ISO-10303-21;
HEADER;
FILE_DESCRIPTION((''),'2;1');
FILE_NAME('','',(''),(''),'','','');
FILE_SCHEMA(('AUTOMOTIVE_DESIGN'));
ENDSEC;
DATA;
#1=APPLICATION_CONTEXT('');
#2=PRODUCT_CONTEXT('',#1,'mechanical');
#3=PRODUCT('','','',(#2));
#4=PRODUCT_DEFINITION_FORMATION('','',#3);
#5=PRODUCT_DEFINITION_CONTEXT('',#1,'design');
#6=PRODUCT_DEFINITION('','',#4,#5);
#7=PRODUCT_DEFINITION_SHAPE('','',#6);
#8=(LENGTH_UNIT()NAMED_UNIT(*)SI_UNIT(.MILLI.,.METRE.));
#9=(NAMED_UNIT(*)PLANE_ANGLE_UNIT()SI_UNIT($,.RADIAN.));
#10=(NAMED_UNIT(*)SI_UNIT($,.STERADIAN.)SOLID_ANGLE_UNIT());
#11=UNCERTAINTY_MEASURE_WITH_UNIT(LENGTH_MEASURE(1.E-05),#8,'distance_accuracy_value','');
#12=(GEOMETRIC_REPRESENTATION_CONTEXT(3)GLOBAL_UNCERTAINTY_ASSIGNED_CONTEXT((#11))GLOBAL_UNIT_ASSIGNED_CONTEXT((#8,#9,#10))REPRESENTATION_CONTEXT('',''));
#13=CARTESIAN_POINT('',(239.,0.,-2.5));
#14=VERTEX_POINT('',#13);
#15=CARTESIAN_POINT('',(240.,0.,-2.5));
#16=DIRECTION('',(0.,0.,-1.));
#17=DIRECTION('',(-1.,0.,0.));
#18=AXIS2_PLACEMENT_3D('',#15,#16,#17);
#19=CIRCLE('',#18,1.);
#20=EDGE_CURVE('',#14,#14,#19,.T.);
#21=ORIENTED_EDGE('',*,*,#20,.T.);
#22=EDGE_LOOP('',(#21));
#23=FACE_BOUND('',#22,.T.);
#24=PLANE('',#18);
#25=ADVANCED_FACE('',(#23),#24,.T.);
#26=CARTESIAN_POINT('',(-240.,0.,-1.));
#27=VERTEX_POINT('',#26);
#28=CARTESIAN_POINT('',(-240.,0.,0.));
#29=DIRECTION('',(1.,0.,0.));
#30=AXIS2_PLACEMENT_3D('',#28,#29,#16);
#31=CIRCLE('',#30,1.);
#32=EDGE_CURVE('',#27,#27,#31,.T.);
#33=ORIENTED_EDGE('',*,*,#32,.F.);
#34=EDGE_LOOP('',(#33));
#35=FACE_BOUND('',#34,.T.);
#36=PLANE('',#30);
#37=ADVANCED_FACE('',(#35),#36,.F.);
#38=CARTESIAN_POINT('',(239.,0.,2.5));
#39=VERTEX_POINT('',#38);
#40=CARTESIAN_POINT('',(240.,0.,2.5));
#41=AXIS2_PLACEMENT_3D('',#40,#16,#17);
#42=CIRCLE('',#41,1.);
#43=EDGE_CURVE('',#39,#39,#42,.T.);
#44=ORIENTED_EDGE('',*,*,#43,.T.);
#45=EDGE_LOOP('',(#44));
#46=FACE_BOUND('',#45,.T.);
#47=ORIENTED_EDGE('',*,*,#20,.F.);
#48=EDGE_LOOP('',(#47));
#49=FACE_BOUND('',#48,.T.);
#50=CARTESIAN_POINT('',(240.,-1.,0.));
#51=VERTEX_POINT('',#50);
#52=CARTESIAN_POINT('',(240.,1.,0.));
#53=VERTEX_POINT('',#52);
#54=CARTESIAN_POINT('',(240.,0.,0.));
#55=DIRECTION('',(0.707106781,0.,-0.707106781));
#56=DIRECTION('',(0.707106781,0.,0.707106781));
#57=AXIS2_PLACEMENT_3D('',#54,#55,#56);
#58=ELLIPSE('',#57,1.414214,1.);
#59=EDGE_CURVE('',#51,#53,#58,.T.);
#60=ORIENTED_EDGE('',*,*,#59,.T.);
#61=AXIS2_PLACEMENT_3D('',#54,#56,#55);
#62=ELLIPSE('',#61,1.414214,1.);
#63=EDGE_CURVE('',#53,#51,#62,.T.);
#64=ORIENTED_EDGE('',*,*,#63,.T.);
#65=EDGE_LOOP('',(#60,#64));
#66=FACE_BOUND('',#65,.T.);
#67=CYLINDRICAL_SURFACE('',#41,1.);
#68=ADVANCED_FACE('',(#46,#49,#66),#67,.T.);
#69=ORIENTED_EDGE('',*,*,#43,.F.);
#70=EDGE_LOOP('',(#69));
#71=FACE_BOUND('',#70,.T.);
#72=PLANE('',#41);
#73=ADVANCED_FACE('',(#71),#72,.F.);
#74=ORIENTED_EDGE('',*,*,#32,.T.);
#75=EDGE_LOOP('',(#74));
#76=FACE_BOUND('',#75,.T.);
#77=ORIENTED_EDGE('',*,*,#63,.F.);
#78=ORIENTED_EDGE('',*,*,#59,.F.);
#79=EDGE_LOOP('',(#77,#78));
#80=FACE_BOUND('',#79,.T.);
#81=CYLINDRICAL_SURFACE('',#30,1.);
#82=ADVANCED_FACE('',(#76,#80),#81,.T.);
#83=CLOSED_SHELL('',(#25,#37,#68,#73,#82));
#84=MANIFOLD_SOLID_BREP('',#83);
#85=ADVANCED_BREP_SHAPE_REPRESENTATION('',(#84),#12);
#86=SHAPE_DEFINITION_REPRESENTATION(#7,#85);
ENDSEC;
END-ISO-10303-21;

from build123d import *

# Parameters (mm, degrees)
BALAYAGE1_PROFILE_R = 1
BALAYAGE2_PROFILE_R = 1


with BuildPart() as part:
    # Balayage1: sweep along a path in Esquisse1
    with BuildLine(Plane.XY) as balayage1_path:
        Line((-240, 0), (240, 0))
    # Balayage1 profile (on start of the path) → Balayage1 (sweep)
    with BuildSketch(Plane(origin=(-240, 0, 0), x_dir=(0, 0, 1), z_dir=(1, 0, 0))):
        Circle(BALAYAGE1_PROFILE_R)
    sweep(path=balayage1_path.line)

    # Balayage2: sweep along a path in Esquisse16
    with BuildLine(Plane(origin=(240, 0, 0), x_dir=(0, 0, -1), z_dir=(1, 0, 0))) as balayage2_path:
        Line((-2.5, 0), (2.5, 0))
    # Balayage2 profile (on start of the path) → Balayage2 (sweep)
    with BuildSketch(Plane(origin=(240, 0, 2.5), x_dir=(-1, 0, 0), z_dir=(0, 0, -1))):
        Circle(BALAYAGE2_PROFILE_R)
    sweep(path=balayage2_path.line)


solid = part.part
